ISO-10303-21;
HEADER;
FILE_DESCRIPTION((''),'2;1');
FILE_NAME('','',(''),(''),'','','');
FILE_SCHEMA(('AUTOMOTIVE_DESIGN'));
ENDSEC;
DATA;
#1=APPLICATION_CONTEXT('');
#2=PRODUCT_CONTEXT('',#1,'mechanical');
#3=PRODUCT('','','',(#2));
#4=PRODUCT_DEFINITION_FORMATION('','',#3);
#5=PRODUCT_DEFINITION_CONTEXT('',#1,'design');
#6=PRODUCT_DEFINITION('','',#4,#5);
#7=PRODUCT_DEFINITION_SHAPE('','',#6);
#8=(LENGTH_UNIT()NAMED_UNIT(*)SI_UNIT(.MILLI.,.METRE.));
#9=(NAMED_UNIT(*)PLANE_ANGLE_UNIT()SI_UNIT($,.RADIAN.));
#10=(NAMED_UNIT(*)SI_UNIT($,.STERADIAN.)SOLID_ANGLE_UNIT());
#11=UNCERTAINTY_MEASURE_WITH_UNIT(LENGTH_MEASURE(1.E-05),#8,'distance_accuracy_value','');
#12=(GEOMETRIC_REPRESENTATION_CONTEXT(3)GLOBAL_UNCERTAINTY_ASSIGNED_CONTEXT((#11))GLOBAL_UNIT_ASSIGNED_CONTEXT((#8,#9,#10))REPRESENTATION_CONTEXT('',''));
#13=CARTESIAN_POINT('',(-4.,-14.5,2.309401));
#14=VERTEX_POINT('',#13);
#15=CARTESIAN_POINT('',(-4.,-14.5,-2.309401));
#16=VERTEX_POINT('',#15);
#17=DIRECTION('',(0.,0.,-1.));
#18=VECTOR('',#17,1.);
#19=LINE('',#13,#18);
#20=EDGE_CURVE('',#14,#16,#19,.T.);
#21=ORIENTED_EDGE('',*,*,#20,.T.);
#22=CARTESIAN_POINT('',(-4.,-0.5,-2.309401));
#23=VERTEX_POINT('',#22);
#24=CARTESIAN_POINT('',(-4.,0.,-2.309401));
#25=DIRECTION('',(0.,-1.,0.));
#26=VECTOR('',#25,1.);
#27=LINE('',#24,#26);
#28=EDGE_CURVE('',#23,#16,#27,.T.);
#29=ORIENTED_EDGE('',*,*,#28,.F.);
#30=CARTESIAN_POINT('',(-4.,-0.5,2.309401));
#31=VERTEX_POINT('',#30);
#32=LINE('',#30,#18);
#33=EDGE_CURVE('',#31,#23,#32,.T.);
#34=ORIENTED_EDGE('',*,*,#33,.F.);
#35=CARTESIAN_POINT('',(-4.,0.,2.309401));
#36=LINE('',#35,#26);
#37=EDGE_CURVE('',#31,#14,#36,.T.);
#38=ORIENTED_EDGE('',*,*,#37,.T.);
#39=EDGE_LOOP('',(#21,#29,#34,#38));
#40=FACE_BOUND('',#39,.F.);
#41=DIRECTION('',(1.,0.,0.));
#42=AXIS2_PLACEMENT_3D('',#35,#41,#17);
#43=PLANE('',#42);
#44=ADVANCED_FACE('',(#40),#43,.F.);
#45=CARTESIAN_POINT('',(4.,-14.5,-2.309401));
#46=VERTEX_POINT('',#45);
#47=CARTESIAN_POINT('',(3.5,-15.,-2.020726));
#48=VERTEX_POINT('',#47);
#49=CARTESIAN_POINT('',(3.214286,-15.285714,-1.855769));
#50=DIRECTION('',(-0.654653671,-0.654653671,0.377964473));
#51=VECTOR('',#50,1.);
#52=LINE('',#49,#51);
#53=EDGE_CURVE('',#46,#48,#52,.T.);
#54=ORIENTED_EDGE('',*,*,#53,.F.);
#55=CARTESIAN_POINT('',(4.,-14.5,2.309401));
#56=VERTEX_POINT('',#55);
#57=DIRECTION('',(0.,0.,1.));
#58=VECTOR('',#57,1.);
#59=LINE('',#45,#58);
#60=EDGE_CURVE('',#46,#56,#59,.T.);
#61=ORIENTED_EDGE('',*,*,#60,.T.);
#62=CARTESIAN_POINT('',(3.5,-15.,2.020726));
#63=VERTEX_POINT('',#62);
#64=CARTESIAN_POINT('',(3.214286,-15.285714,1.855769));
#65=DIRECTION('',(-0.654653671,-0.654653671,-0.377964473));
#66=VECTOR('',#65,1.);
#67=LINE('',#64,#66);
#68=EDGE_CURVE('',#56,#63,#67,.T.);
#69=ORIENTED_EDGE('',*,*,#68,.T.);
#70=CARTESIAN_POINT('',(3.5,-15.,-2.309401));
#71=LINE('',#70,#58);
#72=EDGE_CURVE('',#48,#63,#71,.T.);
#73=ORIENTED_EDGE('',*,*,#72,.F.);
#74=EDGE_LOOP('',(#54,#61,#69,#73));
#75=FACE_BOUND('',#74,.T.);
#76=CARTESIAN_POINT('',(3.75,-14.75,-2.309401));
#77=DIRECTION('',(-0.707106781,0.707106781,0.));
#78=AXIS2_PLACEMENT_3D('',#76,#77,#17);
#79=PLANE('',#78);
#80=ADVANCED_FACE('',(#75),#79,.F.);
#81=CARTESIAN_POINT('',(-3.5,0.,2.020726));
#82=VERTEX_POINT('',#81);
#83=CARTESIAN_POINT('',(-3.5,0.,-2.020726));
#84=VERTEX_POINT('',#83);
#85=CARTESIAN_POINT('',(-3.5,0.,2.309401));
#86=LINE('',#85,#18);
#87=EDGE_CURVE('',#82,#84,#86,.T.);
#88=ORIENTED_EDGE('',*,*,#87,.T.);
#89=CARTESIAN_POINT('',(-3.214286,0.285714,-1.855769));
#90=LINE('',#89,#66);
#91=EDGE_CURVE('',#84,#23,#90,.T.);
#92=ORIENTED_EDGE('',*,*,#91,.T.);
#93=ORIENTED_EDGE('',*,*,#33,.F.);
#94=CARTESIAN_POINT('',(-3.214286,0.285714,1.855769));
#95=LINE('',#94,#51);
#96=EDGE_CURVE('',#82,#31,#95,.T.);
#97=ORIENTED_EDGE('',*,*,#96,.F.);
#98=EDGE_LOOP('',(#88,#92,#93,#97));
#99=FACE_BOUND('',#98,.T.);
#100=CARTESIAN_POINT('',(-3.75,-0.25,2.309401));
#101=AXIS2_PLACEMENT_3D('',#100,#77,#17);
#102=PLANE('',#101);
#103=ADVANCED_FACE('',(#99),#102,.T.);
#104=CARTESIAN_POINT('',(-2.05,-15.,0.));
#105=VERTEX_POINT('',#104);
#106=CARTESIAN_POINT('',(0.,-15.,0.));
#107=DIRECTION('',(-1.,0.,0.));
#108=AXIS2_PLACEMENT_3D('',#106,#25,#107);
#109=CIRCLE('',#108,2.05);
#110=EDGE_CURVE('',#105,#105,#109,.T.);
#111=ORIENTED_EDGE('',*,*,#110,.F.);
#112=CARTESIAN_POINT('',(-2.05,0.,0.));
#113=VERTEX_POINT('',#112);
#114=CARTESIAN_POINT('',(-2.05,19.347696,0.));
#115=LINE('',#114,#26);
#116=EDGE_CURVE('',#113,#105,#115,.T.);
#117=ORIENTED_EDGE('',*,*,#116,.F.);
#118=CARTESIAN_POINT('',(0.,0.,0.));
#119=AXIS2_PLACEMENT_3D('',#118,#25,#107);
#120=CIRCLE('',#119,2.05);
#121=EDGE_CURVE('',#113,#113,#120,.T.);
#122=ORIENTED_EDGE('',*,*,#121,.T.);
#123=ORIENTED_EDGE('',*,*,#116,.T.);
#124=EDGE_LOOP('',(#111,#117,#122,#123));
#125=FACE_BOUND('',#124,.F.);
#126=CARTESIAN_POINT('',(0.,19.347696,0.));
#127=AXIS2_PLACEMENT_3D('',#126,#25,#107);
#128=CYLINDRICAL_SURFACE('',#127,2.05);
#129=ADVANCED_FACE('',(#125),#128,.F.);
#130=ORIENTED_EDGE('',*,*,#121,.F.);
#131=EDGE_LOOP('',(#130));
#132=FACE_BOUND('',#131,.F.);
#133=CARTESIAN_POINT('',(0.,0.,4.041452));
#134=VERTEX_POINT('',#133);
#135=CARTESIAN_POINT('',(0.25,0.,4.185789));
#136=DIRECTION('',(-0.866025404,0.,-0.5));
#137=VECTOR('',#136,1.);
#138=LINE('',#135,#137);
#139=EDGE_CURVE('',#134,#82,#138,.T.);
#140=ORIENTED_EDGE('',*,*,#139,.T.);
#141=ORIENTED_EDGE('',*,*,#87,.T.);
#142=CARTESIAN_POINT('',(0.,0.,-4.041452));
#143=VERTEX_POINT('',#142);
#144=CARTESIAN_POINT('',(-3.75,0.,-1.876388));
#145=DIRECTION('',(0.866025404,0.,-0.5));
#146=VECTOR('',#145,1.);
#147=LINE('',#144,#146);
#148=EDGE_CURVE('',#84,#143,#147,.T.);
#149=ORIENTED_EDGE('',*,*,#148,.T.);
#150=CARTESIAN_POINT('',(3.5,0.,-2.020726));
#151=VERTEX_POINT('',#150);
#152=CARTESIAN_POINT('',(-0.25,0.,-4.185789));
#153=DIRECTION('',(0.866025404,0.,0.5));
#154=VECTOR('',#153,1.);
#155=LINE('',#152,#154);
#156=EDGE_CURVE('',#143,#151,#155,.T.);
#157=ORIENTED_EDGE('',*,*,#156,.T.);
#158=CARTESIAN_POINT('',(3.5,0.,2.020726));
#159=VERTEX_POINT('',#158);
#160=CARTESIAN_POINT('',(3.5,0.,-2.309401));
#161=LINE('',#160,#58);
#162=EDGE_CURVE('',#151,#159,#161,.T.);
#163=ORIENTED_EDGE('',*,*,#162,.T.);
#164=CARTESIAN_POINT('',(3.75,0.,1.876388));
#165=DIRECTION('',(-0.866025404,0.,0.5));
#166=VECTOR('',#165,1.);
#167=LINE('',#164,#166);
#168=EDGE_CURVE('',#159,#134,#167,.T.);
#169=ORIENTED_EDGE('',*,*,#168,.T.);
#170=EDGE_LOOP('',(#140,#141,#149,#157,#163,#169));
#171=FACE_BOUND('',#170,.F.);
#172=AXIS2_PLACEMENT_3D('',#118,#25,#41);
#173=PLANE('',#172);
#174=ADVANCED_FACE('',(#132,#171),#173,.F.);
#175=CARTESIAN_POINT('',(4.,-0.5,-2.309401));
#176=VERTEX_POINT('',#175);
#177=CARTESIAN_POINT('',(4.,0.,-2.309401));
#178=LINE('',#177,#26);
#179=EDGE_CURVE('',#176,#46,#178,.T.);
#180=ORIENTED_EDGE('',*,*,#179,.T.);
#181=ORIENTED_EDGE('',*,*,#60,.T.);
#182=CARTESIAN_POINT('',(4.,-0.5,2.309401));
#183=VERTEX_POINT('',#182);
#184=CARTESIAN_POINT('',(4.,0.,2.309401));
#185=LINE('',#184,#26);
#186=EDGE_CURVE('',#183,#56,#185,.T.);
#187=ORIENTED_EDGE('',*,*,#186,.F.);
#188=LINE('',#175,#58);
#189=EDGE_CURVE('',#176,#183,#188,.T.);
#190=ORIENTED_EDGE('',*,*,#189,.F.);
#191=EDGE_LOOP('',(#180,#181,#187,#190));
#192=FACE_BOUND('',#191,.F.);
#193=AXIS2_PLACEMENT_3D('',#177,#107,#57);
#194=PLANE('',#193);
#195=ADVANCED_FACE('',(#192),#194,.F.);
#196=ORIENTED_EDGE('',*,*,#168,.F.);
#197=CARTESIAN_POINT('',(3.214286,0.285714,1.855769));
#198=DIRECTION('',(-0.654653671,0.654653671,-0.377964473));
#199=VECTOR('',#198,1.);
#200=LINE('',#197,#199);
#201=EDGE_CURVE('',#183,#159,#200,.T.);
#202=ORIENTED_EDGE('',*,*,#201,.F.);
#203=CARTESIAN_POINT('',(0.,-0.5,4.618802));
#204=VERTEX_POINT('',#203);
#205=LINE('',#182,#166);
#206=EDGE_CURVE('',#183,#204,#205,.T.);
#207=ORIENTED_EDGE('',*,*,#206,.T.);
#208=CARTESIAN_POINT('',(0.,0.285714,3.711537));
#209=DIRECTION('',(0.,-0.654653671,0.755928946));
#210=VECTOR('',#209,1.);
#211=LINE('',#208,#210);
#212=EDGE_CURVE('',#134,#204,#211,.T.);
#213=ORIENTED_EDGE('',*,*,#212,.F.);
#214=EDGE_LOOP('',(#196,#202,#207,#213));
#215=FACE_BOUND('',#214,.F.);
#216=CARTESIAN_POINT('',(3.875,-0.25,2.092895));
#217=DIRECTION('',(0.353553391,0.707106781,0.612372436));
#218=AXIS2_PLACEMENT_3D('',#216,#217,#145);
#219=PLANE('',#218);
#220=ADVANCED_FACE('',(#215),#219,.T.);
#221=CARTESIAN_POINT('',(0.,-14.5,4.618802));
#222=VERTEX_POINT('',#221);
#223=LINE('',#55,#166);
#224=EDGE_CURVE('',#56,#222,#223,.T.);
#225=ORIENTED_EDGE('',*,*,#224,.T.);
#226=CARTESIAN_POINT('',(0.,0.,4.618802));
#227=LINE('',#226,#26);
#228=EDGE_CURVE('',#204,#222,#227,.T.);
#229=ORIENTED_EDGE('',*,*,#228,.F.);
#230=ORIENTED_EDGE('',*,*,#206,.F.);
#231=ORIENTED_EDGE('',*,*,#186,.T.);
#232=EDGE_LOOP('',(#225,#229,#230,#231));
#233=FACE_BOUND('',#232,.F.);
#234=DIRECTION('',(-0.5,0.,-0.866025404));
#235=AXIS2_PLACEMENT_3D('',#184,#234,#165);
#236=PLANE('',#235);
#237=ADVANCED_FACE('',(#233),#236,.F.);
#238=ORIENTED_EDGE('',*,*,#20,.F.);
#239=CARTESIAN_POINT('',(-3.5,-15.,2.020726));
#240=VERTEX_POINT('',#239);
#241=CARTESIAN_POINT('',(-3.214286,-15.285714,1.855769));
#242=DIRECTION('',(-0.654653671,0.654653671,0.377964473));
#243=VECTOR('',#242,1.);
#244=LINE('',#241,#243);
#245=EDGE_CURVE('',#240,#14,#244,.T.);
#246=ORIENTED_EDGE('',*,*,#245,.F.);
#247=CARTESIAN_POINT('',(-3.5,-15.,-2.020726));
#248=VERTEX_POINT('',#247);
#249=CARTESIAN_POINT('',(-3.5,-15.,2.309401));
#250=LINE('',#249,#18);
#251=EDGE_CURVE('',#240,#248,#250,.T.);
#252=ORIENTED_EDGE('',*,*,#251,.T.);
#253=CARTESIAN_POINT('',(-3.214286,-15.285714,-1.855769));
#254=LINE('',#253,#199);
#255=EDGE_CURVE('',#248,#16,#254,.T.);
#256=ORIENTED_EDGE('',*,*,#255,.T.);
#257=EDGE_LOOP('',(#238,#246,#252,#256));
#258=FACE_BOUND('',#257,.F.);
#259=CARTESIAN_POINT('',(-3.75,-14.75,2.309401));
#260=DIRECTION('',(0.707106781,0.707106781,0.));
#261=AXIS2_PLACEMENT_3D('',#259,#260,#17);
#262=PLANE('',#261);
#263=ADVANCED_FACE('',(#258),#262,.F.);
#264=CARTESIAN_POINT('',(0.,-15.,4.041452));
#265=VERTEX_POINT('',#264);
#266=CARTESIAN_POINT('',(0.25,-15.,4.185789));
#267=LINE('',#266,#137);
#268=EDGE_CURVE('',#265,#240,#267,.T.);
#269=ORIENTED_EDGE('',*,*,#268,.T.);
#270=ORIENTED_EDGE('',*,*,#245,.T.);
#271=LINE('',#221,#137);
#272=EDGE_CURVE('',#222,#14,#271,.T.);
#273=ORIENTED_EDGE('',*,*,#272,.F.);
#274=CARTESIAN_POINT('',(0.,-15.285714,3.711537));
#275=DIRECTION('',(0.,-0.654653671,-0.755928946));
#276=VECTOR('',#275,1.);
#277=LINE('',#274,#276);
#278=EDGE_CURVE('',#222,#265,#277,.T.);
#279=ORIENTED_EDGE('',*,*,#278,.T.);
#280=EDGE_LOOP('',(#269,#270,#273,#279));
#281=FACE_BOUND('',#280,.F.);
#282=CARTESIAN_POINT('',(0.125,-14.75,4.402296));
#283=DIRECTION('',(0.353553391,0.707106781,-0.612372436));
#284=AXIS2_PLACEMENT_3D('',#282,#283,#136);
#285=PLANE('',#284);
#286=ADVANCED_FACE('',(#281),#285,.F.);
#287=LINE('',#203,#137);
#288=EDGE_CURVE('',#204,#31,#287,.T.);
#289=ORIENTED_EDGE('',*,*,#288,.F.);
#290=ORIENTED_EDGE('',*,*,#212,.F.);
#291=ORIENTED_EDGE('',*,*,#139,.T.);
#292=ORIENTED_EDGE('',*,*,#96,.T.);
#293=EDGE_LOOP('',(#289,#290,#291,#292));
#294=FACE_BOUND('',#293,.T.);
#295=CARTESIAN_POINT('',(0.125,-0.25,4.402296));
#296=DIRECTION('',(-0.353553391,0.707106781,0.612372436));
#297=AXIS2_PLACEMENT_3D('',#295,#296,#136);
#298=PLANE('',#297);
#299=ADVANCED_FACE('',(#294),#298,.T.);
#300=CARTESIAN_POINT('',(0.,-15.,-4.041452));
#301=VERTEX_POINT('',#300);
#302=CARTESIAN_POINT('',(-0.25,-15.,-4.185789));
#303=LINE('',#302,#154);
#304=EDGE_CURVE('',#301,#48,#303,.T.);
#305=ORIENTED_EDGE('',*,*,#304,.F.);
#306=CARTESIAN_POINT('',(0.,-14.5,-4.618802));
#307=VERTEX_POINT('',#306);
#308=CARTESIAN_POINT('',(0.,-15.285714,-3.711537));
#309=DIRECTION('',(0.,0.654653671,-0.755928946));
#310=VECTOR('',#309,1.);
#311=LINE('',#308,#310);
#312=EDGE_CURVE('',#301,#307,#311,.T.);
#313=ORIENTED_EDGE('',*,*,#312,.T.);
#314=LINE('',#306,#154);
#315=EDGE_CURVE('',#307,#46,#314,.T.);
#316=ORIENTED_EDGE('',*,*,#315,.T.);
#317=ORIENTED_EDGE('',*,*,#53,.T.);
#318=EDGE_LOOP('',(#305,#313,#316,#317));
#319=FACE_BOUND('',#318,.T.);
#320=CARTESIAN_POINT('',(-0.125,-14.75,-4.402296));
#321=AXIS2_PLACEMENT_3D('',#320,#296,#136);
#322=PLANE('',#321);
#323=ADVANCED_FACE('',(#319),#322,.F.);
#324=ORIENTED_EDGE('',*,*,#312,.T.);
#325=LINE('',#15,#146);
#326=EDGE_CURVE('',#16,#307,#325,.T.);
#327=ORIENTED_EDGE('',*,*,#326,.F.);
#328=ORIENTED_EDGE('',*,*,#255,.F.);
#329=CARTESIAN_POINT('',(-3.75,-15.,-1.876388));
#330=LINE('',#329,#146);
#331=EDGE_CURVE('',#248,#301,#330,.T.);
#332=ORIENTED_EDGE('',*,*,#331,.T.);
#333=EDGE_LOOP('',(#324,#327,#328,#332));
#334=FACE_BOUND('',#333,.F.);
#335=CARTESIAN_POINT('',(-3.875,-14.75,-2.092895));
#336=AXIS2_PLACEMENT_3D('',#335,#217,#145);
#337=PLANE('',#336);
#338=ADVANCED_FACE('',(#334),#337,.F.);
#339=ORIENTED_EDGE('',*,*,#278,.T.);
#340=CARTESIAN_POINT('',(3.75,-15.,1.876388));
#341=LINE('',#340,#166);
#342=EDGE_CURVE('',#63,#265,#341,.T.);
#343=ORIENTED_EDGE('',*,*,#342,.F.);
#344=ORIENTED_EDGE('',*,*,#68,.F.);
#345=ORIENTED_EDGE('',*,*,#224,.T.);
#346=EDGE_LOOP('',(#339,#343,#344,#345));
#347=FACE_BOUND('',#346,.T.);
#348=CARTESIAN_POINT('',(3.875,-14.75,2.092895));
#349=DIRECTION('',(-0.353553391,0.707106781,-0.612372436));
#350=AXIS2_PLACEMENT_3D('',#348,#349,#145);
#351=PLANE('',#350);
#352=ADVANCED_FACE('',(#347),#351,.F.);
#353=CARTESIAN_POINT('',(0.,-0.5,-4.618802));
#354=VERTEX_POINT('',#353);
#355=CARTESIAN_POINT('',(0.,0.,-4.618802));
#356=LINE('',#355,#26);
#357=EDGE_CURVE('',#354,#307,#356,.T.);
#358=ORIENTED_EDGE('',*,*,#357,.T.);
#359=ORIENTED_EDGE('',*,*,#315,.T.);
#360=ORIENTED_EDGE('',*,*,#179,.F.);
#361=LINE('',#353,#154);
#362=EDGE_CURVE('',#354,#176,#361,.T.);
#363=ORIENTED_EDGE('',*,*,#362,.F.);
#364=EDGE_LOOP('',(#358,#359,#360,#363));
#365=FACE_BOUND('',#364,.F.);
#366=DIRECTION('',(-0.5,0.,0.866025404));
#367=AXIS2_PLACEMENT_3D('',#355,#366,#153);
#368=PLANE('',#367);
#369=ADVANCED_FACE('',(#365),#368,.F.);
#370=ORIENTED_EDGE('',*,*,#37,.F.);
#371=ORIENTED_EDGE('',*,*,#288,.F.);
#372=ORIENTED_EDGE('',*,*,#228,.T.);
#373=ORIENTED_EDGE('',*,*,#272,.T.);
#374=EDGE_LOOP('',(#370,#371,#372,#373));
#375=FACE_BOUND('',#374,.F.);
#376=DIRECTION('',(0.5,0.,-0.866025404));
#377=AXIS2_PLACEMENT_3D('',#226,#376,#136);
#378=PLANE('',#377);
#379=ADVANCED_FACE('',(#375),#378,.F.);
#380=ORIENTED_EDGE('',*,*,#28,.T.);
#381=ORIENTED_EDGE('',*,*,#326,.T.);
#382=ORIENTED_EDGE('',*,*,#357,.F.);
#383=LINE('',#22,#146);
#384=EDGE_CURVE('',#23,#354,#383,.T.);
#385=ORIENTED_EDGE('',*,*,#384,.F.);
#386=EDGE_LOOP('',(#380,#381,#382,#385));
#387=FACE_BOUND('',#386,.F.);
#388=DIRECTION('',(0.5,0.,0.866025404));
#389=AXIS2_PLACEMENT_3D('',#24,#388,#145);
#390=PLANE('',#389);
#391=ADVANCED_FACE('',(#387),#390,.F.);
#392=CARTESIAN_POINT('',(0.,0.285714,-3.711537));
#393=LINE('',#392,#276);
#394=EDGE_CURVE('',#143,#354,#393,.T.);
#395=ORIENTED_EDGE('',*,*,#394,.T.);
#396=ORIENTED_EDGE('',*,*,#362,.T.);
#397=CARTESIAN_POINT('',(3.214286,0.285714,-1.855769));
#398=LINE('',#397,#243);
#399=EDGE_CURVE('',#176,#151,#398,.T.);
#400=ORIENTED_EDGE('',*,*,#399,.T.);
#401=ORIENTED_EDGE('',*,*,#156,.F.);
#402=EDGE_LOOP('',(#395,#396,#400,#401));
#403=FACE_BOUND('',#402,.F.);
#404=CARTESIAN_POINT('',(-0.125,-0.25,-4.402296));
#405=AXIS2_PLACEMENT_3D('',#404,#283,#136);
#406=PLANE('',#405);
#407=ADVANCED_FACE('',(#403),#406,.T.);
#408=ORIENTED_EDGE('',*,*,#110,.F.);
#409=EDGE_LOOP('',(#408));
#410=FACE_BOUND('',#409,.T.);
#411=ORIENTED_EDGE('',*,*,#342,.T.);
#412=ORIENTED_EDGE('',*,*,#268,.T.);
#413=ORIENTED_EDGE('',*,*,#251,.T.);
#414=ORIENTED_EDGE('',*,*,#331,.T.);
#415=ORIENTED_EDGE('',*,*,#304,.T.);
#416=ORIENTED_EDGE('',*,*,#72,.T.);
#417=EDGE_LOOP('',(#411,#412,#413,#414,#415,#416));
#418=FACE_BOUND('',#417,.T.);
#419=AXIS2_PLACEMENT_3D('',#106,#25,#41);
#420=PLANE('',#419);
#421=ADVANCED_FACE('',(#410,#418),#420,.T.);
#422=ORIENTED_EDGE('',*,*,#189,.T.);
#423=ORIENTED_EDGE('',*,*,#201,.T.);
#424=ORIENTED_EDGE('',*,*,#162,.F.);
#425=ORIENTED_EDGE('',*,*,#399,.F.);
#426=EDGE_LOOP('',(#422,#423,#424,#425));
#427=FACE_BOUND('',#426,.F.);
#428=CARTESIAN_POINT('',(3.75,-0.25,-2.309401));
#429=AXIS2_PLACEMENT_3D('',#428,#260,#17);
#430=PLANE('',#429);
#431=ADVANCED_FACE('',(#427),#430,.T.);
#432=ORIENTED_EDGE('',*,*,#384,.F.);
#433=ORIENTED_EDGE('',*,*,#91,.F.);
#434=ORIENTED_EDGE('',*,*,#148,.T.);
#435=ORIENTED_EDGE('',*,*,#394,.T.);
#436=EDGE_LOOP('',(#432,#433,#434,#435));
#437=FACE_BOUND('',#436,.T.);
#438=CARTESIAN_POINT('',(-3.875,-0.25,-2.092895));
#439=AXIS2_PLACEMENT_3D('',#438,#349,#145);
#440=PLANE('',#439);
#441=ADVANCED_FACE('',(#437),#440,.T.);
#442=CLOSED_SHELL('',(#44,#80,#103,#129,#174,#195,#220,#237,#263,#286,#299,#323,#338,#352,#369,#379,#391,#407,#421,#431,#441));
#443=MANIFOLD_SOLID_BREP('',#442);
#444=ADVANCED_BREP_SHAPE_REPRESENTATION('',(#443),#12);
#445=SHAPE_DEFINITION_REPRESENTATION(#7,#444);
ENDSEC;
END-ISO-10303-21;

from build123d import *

# Parameters (mm, degrees)
F1_DEPTH = 15
F2_D     = 4.1
F3_SIZE  = 0.5


with BuildPart() as f1:
    # F0 (on Front) → F1 (new body)
    with BuildSketch(Plane.XZ):
        Polygon((4, -2.3094010768), (4, 2.3094010768), (0, 4.6188021535), (-4, 2.3094010768), (-4, -2.3094010768), (0, -4.6188021535), align=None)
    extrude(amount=F1_DEPTH)

    # F2 (through all)
    with Locations(Plane(origin=(0, 0, 0), x_dir=(1, 0, 0), z_dir=(0, 1, 0))):
        with Locations((0, 0)):
            Hole(F2_D / 2)

    # F3
    f3_edges = [f1.edges().sort_by_distance(p)[0] for p in [
        (-2, 0, -3.464102),
        (-4, 0, 0),
        (-2, 0, 3.464102),
        (2, 0, 3.464102),
        (4, 0, 0),
        (2, 0, -3.464102),
        (4, -15, 0),
        (2, -15, 3.464102),
        (-2, -15, 3.464102),
        (-4, -15, 0),
        (-2, -15, -3.464102),
        (2, -15, -3.464102),
    ]]
    chamfer(f3_edges, length=F3_SIZE)


solid = f1.part
